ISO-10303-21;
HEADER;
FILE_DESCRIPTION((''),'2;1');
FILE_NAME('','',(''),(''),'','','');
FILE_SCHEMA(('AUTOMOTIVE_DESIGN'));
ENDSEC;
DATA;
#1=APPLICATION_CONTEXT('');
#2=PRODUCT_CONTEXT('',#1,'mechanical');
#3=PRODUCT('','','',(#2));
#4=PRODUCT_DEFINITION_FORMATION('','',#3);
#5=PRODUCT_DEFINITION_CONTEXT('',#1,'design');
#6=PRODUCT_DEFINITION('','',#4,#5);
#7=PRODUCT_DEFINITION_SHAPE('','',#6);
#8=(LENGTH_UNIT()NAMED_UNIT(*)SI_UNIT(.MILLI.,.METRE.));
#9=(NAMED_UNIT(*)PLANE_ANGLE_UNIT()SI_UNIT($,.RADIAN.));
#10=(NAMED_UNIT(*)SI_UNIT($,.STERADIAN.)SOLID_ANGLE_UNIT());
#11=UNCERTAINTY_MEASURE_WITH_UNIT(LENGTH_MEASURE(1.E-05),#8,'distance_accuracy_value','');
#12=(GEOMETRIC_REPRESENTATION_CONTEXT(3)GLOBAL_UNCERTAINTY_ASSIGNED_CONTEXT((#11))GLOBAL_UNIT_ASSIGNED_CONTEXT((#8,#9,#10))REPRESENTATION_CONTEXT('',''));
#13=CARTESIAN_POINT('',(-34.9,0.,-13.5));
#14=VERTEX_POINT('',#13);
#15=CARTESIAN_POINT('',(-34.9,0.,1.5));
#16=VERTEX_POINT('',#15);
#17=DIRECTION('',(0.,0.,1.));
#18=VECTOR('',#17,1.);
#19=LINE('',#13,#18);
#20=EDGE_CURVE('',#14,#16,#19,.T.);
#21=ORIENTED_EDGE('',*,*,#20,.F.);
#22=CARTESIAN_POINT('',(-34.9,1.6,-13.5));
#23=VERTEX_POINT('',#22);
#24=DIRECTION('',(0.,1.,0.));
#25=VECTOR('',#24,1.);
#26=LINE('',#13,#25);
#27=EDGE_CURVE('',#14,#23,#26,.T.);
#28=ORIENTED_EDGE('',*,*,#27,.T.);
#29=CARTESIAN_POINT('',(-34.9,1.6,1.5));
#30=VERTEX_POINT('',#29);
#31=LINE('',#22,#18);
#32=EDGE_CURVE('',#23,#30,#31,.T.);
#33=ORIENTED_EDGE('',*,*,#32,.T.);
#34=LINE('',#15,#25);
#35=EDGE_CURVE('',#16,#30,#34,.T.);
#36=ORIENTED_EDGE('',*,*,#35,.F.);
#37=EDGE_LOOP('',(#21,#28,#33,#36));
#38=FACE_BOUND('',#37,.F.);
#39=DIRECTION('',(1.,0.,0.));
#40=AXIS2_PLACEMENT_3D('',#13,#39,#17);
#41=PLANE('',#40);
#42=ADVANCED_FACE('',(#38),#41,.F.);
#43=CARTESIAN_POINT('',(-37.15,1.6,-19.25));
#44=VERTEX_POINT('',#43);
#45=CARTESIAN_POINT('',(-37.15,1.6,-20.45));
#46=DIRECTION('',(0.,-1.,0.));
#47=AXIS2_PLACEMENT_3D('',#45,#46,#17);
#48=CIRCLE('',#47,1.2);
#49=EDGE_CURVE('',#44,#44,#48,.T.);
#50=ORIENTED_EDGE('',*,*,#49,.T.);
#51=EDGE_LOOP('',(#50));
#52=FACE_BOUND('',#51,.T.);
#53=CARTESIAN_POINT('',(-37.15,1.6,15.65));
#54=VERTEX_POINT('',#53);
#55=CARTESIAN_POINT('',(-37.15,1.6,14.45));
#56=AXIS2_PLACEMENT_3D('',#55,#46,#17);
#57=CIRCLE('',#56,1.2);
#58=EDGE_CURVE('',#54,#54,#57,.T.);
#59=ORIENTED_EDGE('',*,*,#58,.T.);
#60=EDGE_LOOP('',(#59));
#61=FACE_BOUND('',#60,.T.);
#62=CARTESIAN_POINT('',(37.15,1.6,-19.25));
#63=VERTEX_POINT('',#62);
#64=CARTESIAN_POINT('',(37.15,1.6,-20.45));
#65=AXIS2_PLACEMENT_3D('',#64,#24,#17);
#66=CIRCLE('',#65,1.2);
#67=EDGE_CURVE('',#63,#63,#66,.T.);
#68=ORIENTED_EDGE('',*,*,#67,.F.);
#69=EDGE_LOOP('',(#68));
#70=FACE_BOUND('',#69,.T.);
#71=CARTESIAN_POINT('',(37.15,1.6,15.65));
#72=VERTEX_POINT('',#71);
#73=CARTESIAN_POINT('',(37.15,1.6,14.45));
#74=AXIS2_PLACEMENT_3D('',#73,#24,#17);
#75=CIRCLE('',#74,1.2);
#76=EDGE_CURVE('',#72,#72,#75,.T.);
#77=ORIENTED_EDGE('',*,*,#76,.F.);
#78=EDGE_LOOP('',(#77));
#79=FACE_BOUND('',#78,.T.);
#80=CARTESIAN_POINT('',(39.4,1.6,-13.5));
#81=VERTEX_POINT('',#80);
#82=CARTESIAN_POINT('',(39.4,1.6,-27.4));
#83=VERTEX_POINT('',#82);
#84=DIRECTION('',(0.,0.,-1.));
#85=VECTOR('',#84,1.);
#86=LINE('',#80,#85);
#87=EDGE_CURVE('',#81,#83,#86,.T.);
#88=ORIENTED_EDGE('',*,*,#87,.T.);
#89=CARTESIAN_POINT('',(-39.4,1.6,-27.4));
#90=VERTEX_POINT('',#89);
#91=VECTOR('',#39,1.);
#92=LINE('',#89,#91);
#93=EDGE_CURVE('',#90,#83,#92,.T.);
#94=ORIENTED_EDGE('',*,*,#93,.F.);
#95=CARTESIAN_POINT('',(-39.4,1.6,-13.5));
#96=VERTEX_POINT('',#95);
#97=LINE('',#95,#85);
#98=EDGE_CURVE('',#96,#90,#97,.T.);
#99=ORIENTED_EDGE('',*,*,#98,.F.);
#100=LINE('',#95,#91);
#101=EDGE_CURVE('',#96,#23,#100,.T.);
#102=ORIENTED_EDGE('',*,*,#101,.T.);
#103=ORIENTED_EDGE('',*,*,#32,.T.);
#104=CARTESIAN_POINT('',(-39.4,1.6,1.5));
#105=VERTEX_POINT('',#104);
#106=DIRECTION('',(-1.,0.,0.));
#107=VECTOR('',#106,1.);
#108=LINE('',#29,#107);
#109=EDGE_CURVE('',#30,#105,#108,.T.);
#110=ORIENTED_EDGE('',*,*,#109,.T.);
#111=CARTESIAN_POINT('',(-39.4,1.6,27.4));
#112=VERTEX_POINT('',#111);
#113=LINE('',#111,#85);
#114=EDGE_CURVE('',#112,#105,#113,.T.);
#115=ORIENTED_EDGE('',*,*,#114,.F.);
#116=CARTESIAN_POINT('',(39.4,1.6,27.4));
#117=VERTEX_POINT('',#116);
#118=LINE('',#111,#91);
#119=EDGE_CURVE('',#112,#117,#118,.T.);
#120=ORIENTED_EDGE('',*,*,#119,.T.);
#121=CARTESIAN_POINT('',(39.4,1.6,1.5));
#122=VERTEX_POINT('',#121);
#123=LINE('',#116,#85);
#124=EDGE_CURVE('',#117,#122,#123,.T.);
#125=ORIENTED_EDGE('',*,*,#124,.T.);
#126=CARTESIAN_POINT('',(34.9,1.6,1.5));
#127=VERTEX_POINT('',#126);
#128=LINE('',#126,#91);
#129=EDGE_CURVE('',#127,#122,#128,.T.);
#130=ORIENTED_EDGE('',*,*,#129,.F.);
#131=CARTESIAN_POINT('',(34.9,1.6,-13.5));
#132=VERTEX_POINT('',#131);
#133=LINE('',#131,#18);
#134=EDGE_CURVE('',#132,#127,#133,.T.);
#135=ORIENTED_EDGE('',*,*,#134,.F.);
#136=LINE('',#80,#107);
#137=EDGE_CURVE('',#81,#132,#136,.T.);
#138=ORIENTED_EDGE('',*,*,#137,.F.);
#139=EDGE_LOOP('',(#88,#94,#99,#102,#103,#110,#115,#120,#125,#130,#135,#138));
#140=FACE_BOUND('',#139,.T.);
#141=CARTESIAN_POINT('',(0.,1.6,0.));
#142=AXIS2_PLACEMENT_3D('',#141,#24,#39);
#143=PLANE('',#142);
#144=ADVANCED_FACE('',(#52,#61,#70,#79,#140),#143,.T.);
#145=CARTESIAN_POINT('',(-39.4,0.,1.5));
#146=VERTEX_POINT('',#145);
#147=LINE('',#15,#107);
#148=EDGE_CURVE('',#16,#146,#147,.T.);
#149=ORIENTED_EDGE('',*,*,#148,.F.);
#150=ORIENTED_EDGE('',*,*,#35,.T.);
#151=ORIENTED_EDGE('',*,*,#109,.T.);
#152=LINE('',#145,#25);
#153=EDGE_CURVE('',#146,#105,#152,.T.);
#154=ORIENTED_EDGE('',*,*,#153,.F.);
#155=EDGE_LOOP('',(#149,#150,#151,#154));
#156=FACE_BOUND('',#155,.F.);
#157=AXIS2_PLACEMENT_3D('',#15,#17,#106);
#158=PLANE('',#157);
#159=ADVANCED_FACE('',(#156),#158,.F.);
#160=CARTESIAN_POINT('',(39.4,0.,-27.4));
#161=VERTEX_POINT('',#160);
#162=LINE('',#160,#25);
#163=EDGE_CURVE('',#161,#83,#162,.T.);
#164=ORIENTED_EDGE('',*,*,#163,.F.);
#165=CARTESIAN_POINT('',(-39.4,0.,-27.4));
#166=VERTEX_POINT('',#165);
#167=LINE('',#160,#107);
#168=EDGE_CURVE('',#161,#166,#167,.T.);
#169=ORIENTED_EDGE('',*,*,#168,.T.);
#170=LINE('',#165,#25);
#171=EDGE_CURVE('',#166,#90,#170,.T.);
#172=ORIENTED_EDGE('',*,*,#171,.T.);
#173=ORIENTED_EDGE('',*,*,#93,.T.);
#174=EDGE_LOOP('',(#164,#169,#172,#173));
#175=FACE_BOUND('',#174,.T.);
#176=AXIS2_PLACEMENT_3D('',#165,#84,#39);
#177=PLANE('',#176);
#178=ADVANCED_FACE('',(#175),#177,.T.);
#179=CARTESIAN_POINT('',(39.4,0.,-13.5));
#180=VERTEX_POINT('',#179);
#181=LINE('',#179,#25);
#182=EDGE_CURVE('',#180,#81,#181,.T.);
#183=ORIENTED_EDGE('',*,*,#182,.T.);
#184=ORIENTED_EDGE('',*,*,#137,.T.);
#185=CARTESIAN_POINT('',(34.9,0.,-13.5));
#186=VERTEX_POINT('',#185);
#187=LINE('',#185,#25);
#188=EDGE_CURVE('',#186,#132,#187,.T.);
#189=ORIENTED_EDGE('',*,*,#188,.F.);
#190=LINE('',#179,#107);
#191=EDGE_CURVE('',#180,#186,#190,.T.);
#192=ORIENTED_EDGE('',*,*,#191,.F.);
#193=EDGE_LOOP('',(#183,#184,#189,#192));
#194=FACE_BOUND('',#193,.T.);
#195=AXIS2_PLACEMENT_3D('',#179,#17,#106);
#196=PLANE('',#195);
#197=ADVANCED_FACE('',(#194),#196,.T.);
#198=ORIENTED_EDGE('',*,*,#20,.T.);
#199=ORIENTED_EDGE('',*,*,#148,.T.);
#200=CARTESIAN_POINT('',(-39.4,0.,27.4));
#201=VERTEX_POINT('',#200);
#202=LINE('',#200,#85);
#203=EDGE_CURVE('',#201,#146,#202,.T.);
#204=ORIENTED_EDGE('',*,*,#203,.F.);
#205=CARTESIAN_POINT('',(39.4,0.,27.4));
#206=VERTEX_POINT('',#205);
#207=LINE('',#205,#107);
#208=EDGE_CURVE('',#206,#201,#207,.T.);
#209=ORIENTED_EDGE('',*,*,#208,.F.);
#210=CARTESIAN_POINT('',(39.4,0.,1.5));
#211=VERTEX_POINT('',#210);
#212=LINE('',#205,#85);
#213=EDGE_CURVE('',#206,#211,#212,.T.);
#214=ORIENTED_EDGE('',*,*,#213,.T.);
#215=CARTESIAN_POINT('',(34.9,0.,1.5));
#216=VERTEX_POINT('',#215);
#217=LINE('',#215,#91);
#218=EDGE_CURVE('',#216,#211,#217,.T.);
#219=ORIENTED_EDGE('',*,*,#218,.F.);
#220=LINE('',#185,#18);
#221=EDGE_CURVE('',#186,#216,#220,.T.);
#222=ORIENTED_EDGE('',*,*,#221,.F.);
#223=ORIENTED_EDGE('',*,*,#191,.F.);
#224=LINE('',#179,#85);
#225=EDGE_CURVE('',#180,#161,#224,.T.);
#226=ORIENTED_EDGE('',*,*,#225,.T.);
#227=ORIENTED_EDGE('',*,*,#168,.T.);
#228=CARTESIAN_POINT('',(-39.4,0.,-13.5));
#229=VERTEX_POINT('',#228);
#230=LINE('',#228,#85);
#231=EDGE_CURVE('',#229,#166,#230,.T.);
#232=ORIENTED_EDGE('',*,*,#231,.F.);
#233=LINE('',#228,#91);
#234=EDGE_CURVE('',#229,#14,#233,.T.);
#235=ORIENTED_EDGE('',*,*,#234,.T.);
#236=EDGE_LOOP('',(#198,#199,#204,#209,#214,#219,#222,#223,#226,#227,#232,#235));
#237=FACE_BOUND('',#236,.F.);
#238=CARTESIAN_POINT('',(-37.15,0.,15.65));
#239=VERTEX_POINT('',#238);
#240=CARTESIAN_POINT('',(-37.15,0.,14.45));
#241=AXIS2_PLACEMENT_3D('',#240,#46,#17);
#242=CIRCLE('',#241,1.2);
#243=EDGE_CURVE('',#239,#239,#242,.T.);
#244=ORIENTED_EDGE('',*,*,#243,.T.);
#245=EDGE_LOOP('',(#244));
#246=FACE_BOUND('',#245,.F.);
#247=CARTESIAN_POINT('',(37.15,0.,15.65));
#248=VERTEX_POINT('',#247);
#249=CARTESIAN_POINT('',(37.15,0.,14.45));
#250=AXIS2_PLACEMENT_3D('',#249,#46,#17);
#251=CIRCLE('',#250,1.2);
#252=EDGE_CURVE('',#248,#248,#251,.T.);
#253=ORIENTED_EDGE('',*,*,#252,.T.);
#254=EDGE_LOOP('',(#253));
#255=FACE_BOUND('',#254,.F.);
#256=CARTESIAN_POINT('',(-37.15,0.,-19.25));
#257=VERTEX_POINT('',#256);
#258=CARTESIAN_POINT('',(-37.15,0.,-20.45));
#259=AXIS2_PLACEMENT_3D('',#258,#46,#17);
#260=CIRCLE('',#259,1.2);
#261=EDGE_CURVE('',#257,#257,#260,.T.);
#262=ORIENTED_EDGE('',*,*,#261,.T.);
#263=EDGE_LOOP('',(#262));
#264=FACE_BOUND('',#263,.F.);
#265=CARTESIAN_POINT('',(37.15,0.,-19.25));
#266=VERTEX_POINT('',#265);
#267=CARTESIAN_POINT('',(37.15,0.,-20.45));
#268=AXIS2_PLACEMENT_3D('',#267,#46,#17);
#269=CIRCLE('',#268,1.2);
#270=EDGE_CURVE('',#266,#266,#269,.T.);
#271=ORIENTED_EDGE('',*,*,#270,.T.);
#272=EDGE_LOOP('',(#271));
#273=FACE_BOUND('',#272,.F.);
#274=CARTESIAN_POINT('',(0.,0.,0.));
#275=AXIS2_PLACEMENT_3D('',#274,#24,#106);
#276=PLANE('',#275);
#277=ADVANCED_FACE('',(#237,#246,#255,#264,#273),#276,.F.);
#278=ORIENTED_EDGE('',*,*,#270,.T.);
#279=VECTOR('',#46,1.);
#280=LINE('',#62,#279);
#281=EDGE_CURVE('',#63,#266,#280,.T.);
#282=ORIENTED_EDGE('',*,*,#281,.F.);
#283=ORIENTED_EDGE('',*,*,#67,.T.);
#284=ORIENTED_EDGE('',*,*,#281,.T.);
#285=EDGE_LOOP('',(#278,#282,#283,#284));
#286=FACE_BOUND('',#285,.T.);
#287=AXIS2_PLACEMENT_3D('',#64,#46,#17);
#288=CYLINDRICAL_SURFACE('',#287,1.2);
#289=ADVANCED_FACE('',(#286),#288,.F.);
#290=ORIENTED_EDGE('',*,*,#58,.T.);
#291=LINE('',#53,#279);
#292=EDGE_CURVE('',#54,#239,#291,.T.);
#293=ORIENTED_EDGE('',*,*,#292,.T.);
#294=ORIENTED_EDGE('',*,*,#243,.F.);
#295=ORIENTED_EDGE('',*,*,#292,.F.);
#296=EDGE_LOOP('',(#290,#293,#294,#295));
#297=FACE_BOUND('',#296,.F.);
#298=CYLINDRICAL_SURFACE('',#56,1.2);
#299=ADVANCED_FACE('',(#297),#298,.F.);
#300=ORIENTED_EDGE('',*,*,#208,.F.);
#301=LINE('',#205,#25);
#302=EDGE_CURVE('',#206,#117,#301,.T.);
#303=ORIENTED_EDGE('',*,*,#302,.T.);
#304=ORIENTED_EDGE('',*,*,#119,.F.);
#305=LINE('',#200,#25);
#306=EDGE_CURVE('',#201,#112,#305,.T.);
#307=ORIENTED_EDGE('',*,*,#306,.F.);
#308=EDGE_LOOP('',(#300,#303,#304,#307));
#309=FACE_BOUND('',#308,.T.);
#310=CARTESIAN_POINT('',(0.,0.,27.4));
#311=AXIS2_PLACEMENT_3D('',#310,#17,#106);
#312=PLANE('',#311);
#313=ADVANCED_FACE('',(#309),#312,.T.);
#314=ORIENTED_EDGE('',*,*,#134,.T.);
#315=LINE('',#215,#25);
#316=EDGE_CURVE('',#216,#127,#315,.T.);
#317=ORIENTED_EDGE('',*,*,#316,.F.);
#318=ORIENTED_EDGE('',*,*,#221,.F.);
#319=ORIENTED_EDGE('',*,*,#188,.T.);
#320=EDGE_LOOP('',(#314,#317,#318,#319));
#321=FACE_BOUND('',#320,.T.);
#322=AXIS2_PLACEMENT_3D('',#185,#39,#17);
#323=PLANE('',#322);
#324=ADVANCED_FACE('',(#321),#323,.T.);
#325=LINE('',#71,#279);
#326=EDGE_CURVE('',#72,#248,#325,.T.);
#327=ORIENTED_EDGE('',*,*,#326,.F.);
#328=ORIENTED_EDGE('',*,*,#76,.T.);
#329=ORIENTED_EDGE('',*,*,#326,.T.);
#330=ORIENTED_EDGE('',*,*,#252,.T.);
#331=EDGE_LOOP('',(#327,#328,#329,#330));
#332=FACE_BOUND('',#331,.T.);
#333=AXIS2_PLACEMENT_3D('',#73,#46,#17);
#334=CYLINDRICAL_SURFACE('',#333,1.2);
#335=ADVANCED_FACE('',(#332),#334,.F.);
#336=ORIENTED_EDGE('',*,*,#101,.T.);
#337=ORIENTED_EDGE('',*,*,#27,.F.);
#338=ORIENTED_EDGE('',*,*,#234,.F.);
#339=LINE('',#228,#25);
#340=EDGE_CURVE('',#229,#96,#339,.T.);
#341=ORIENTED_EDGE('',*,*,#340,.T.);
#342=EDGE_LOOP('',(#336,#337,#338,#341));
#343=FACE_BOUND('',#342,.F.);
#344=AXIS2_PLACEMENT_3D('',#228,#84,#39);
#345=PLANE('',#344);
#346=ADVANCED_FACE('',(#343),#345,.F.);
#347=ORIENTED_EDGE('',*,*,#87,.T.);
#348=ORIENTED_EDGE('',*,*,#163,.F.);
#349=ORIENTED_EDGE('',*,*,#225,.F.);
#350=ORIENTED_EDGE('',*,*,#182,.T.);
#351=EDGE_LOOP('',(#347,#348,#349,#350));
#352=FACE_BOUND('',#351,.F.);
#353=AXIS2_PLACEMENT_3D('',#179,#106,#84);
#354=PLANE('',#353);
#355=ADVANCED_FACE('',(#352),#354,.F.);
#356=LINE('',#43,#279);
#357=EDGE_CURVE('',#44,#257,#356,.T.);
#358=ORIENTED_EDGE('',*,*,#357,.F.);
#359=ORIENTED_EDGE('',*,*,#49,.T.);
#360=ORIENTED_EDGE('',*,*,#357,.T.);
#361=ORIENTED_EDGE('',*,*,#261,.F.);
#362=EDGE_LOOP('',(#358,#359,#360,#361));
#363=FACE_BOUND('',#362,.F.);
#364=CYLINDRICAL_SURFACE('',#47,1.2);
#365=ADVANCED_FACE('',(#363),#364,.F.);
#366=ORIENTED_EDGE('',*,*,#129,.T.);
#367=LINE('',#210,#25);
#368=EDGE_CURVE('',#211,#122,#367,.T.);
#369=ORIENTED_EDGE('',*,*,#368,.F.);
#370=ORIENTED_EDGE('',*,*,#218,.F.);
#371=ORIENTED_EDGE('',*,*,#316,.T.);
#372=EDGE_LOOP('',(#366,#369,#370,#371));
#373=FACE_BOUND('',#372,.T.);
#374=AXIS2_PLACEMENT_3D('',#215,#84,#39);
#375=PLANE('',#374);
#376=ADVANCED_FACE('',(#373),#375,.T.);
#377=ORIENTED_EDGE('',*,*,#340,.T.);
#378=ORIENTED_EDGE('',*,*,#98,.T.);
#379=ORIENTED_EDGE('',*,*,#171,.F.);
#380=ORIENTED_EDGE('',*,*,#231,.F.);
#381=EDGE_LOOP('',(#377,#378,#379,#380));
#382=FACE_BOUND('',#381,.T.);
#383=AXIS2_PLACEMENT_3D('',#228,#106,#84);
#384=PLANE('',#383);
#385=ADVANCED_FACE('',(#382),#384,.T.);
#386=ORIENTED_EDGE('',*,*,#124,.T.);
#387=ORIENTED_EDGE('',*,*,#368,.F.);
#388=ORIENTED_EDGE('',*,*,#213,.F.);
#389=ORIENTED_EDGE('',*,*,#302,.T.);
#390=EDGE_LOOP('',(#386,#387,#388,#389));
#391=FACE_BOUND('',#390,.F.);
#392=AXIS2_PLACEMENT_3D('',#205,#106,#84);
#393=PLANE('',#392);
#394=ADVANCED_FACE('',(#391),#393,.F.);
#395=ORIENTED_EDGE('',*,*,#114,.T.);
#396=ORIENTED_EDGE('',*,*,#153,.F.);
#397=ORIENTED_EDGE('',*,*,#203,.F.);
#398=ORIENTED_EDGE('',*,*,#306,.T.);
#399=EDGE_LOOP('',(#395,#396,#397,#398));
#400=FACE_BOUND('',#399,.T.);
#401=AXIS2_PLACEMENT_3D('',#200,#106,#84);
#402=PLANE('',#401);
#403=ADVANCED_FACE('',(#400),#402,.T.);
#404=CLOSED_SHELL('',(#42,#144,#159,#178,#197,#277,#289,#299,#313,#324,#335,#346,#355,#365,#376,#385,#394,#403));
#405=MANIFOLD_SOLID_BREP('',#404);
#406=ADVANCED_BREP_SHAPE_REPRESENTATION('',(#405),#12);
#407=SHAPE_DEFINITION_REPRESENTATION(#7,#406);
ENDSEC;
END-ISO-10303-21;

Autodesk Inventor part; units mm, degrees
ref_plane "YZ Plane" through (0, 0, 0) normal (1, 0, 0) x (0, 1, 0)
ref_plane "XZ Plane" through (0, 0, 0) normal (0, 1, 0) x (-1, 0, 0)
ref_plane "XY Plane" through (0, 0, 0) normal (0, 0, 1) x (1, 0, 0)
sketch "スケッチ1" plane through (0, 0, 0) normal (0, 1, 0) x (-1, 0, 0)
  line L0 (39.4, -27.4) -> (0, -27.4)
  line L1 (0, -27.4) -> (0, 27.4)
  line L2 (0, 27.4) -> (39.4, 27.4)
  line L3 (39.4, -13.5) -> (34.9, -13.5)
  line L4 (34.9, -13.5) -> (34.9, 1.5)
  line L5 (34.9, 1.5) -> (39.4, 1.5)
  line L6 (39.4, 1.5) -> (39.4, -13.5) construction
  line L7 (39.4, 27.4) -> (39.4, 1.5)
  line L8 (39.4, -13.5) -> (39.4, -27.4)
  line L9 (0, -22.4) -> (15, -22.4)
  line L10 (15, -22.4) -> (15, -2.4)
  line L11 (15, -2.4) -> (0, -2.4)
  line L12 (-39.4, -27.4) -> (0, -27.4)
  line L13 (0, 27.4) -> (-39.4, 27.4)
  line L14 (-39.4, -13.5) -> (-34.9, -13.5)
  line L15 (-34.9, -13.5) -> (-34.9, 1.5)
  line L16 (-34.9, 1.5) -> (-39.4, 1.5)
  line L17 (-39.4, 1.5) -> (-39.4, -13.5) construction
  line L18 (-39.4, 27.4) -> (-39.4, 1.5)
  line L19 (-39.4, -13.5) -> (-39.4, -27.4)
  line L20 (0, -22.4) -> (-15, -22.4)
  line L21 (-15, -22.4) -> (-15, -2.4)
  line L22 (-15, -2.4) -> (0, -2.4)
  point P0 (0, 0)
  point P1 (0, 0)
  point P2 (0, 0)
  dimension "d0" = 13.9
  dimension "d1" = 25.9
  dimension "d2" = 39.4
  dimension "d3" = 15
  dimension "d4" = 4.5
  dimension "d5" = 20
  dimension "d6" = 15
  dimension "d7" = 5
extrude "押し出し1" add sketch "スケッチ1" along normal blind 1.6 contours L0 L1 L9 L10 L11 L2 L7 L5 L4 L3 L8 | L12 L19 L14 L15 L16 L18 L13 L1 L22 L21 L20
sketch "スケッチ2" plane through (0, 1.6, 0) normal (0, 1, 0) x (1, 0, 0)
  line L0 (-39.4, 13.5) -> (-34.9, 13.5) projected
  line L1 (-37.15, 13.5) -> (-37.15, 27.4) construction
  line L2 (-34.9, -1.5) -> (-39.4, -1.5) projected
  line L3 (-37.15, -1.5) -> (-37.15, -27.4) construction
  line L4 (-39.4, -27.4) -> (39.4, -27.4) projected
  line L5 (39.4, 27.4) -> (-39.4, 27.4) projected
  point P0 (0, 0)
  point P1 (-37.15, 20.45)
  point P2 (-37.15, -14.45)
hole "穴1" at (-37.15, 1.6, -20.45) at (-37.15, 1.6, 14.45) direction (0, -1, 0) diameter 2.4 end through all clearance for "Countersunk Flat Head Screw ISO 2009/7046" size "M2" standard "ISO"
ref_plane "作業平面1" through (0, 0, -13.5) normal (-1, 0, 0) x (0, 0, 1)
mirror "ミラー1" about plane through (0, 0, -13.5) normal (-1, 0, 0) of "穴1"
sketch "スケッチ3" plane through (0, 1.6, 0) normal (0, 1, 0) x (1, 0, 0)
  line L0 (15, 22.4) -> (15, 2.4) projected
  line L1 (-15, 22.4) -> (15, 22.4)
  line L2 (15, 22.4) -> (15, 2.4)
  line L3 (15, 2.4) -> (-15, 2.4)
  line L4 (-15, 2.4) -> (-15, 22.4)
  point P0 (0, 0)
extrude "押し出し2" add sketch "スケッチ3" against normal up to surface (1.6 mm away)
properties part number "top" material "エポキシ樹脂"
